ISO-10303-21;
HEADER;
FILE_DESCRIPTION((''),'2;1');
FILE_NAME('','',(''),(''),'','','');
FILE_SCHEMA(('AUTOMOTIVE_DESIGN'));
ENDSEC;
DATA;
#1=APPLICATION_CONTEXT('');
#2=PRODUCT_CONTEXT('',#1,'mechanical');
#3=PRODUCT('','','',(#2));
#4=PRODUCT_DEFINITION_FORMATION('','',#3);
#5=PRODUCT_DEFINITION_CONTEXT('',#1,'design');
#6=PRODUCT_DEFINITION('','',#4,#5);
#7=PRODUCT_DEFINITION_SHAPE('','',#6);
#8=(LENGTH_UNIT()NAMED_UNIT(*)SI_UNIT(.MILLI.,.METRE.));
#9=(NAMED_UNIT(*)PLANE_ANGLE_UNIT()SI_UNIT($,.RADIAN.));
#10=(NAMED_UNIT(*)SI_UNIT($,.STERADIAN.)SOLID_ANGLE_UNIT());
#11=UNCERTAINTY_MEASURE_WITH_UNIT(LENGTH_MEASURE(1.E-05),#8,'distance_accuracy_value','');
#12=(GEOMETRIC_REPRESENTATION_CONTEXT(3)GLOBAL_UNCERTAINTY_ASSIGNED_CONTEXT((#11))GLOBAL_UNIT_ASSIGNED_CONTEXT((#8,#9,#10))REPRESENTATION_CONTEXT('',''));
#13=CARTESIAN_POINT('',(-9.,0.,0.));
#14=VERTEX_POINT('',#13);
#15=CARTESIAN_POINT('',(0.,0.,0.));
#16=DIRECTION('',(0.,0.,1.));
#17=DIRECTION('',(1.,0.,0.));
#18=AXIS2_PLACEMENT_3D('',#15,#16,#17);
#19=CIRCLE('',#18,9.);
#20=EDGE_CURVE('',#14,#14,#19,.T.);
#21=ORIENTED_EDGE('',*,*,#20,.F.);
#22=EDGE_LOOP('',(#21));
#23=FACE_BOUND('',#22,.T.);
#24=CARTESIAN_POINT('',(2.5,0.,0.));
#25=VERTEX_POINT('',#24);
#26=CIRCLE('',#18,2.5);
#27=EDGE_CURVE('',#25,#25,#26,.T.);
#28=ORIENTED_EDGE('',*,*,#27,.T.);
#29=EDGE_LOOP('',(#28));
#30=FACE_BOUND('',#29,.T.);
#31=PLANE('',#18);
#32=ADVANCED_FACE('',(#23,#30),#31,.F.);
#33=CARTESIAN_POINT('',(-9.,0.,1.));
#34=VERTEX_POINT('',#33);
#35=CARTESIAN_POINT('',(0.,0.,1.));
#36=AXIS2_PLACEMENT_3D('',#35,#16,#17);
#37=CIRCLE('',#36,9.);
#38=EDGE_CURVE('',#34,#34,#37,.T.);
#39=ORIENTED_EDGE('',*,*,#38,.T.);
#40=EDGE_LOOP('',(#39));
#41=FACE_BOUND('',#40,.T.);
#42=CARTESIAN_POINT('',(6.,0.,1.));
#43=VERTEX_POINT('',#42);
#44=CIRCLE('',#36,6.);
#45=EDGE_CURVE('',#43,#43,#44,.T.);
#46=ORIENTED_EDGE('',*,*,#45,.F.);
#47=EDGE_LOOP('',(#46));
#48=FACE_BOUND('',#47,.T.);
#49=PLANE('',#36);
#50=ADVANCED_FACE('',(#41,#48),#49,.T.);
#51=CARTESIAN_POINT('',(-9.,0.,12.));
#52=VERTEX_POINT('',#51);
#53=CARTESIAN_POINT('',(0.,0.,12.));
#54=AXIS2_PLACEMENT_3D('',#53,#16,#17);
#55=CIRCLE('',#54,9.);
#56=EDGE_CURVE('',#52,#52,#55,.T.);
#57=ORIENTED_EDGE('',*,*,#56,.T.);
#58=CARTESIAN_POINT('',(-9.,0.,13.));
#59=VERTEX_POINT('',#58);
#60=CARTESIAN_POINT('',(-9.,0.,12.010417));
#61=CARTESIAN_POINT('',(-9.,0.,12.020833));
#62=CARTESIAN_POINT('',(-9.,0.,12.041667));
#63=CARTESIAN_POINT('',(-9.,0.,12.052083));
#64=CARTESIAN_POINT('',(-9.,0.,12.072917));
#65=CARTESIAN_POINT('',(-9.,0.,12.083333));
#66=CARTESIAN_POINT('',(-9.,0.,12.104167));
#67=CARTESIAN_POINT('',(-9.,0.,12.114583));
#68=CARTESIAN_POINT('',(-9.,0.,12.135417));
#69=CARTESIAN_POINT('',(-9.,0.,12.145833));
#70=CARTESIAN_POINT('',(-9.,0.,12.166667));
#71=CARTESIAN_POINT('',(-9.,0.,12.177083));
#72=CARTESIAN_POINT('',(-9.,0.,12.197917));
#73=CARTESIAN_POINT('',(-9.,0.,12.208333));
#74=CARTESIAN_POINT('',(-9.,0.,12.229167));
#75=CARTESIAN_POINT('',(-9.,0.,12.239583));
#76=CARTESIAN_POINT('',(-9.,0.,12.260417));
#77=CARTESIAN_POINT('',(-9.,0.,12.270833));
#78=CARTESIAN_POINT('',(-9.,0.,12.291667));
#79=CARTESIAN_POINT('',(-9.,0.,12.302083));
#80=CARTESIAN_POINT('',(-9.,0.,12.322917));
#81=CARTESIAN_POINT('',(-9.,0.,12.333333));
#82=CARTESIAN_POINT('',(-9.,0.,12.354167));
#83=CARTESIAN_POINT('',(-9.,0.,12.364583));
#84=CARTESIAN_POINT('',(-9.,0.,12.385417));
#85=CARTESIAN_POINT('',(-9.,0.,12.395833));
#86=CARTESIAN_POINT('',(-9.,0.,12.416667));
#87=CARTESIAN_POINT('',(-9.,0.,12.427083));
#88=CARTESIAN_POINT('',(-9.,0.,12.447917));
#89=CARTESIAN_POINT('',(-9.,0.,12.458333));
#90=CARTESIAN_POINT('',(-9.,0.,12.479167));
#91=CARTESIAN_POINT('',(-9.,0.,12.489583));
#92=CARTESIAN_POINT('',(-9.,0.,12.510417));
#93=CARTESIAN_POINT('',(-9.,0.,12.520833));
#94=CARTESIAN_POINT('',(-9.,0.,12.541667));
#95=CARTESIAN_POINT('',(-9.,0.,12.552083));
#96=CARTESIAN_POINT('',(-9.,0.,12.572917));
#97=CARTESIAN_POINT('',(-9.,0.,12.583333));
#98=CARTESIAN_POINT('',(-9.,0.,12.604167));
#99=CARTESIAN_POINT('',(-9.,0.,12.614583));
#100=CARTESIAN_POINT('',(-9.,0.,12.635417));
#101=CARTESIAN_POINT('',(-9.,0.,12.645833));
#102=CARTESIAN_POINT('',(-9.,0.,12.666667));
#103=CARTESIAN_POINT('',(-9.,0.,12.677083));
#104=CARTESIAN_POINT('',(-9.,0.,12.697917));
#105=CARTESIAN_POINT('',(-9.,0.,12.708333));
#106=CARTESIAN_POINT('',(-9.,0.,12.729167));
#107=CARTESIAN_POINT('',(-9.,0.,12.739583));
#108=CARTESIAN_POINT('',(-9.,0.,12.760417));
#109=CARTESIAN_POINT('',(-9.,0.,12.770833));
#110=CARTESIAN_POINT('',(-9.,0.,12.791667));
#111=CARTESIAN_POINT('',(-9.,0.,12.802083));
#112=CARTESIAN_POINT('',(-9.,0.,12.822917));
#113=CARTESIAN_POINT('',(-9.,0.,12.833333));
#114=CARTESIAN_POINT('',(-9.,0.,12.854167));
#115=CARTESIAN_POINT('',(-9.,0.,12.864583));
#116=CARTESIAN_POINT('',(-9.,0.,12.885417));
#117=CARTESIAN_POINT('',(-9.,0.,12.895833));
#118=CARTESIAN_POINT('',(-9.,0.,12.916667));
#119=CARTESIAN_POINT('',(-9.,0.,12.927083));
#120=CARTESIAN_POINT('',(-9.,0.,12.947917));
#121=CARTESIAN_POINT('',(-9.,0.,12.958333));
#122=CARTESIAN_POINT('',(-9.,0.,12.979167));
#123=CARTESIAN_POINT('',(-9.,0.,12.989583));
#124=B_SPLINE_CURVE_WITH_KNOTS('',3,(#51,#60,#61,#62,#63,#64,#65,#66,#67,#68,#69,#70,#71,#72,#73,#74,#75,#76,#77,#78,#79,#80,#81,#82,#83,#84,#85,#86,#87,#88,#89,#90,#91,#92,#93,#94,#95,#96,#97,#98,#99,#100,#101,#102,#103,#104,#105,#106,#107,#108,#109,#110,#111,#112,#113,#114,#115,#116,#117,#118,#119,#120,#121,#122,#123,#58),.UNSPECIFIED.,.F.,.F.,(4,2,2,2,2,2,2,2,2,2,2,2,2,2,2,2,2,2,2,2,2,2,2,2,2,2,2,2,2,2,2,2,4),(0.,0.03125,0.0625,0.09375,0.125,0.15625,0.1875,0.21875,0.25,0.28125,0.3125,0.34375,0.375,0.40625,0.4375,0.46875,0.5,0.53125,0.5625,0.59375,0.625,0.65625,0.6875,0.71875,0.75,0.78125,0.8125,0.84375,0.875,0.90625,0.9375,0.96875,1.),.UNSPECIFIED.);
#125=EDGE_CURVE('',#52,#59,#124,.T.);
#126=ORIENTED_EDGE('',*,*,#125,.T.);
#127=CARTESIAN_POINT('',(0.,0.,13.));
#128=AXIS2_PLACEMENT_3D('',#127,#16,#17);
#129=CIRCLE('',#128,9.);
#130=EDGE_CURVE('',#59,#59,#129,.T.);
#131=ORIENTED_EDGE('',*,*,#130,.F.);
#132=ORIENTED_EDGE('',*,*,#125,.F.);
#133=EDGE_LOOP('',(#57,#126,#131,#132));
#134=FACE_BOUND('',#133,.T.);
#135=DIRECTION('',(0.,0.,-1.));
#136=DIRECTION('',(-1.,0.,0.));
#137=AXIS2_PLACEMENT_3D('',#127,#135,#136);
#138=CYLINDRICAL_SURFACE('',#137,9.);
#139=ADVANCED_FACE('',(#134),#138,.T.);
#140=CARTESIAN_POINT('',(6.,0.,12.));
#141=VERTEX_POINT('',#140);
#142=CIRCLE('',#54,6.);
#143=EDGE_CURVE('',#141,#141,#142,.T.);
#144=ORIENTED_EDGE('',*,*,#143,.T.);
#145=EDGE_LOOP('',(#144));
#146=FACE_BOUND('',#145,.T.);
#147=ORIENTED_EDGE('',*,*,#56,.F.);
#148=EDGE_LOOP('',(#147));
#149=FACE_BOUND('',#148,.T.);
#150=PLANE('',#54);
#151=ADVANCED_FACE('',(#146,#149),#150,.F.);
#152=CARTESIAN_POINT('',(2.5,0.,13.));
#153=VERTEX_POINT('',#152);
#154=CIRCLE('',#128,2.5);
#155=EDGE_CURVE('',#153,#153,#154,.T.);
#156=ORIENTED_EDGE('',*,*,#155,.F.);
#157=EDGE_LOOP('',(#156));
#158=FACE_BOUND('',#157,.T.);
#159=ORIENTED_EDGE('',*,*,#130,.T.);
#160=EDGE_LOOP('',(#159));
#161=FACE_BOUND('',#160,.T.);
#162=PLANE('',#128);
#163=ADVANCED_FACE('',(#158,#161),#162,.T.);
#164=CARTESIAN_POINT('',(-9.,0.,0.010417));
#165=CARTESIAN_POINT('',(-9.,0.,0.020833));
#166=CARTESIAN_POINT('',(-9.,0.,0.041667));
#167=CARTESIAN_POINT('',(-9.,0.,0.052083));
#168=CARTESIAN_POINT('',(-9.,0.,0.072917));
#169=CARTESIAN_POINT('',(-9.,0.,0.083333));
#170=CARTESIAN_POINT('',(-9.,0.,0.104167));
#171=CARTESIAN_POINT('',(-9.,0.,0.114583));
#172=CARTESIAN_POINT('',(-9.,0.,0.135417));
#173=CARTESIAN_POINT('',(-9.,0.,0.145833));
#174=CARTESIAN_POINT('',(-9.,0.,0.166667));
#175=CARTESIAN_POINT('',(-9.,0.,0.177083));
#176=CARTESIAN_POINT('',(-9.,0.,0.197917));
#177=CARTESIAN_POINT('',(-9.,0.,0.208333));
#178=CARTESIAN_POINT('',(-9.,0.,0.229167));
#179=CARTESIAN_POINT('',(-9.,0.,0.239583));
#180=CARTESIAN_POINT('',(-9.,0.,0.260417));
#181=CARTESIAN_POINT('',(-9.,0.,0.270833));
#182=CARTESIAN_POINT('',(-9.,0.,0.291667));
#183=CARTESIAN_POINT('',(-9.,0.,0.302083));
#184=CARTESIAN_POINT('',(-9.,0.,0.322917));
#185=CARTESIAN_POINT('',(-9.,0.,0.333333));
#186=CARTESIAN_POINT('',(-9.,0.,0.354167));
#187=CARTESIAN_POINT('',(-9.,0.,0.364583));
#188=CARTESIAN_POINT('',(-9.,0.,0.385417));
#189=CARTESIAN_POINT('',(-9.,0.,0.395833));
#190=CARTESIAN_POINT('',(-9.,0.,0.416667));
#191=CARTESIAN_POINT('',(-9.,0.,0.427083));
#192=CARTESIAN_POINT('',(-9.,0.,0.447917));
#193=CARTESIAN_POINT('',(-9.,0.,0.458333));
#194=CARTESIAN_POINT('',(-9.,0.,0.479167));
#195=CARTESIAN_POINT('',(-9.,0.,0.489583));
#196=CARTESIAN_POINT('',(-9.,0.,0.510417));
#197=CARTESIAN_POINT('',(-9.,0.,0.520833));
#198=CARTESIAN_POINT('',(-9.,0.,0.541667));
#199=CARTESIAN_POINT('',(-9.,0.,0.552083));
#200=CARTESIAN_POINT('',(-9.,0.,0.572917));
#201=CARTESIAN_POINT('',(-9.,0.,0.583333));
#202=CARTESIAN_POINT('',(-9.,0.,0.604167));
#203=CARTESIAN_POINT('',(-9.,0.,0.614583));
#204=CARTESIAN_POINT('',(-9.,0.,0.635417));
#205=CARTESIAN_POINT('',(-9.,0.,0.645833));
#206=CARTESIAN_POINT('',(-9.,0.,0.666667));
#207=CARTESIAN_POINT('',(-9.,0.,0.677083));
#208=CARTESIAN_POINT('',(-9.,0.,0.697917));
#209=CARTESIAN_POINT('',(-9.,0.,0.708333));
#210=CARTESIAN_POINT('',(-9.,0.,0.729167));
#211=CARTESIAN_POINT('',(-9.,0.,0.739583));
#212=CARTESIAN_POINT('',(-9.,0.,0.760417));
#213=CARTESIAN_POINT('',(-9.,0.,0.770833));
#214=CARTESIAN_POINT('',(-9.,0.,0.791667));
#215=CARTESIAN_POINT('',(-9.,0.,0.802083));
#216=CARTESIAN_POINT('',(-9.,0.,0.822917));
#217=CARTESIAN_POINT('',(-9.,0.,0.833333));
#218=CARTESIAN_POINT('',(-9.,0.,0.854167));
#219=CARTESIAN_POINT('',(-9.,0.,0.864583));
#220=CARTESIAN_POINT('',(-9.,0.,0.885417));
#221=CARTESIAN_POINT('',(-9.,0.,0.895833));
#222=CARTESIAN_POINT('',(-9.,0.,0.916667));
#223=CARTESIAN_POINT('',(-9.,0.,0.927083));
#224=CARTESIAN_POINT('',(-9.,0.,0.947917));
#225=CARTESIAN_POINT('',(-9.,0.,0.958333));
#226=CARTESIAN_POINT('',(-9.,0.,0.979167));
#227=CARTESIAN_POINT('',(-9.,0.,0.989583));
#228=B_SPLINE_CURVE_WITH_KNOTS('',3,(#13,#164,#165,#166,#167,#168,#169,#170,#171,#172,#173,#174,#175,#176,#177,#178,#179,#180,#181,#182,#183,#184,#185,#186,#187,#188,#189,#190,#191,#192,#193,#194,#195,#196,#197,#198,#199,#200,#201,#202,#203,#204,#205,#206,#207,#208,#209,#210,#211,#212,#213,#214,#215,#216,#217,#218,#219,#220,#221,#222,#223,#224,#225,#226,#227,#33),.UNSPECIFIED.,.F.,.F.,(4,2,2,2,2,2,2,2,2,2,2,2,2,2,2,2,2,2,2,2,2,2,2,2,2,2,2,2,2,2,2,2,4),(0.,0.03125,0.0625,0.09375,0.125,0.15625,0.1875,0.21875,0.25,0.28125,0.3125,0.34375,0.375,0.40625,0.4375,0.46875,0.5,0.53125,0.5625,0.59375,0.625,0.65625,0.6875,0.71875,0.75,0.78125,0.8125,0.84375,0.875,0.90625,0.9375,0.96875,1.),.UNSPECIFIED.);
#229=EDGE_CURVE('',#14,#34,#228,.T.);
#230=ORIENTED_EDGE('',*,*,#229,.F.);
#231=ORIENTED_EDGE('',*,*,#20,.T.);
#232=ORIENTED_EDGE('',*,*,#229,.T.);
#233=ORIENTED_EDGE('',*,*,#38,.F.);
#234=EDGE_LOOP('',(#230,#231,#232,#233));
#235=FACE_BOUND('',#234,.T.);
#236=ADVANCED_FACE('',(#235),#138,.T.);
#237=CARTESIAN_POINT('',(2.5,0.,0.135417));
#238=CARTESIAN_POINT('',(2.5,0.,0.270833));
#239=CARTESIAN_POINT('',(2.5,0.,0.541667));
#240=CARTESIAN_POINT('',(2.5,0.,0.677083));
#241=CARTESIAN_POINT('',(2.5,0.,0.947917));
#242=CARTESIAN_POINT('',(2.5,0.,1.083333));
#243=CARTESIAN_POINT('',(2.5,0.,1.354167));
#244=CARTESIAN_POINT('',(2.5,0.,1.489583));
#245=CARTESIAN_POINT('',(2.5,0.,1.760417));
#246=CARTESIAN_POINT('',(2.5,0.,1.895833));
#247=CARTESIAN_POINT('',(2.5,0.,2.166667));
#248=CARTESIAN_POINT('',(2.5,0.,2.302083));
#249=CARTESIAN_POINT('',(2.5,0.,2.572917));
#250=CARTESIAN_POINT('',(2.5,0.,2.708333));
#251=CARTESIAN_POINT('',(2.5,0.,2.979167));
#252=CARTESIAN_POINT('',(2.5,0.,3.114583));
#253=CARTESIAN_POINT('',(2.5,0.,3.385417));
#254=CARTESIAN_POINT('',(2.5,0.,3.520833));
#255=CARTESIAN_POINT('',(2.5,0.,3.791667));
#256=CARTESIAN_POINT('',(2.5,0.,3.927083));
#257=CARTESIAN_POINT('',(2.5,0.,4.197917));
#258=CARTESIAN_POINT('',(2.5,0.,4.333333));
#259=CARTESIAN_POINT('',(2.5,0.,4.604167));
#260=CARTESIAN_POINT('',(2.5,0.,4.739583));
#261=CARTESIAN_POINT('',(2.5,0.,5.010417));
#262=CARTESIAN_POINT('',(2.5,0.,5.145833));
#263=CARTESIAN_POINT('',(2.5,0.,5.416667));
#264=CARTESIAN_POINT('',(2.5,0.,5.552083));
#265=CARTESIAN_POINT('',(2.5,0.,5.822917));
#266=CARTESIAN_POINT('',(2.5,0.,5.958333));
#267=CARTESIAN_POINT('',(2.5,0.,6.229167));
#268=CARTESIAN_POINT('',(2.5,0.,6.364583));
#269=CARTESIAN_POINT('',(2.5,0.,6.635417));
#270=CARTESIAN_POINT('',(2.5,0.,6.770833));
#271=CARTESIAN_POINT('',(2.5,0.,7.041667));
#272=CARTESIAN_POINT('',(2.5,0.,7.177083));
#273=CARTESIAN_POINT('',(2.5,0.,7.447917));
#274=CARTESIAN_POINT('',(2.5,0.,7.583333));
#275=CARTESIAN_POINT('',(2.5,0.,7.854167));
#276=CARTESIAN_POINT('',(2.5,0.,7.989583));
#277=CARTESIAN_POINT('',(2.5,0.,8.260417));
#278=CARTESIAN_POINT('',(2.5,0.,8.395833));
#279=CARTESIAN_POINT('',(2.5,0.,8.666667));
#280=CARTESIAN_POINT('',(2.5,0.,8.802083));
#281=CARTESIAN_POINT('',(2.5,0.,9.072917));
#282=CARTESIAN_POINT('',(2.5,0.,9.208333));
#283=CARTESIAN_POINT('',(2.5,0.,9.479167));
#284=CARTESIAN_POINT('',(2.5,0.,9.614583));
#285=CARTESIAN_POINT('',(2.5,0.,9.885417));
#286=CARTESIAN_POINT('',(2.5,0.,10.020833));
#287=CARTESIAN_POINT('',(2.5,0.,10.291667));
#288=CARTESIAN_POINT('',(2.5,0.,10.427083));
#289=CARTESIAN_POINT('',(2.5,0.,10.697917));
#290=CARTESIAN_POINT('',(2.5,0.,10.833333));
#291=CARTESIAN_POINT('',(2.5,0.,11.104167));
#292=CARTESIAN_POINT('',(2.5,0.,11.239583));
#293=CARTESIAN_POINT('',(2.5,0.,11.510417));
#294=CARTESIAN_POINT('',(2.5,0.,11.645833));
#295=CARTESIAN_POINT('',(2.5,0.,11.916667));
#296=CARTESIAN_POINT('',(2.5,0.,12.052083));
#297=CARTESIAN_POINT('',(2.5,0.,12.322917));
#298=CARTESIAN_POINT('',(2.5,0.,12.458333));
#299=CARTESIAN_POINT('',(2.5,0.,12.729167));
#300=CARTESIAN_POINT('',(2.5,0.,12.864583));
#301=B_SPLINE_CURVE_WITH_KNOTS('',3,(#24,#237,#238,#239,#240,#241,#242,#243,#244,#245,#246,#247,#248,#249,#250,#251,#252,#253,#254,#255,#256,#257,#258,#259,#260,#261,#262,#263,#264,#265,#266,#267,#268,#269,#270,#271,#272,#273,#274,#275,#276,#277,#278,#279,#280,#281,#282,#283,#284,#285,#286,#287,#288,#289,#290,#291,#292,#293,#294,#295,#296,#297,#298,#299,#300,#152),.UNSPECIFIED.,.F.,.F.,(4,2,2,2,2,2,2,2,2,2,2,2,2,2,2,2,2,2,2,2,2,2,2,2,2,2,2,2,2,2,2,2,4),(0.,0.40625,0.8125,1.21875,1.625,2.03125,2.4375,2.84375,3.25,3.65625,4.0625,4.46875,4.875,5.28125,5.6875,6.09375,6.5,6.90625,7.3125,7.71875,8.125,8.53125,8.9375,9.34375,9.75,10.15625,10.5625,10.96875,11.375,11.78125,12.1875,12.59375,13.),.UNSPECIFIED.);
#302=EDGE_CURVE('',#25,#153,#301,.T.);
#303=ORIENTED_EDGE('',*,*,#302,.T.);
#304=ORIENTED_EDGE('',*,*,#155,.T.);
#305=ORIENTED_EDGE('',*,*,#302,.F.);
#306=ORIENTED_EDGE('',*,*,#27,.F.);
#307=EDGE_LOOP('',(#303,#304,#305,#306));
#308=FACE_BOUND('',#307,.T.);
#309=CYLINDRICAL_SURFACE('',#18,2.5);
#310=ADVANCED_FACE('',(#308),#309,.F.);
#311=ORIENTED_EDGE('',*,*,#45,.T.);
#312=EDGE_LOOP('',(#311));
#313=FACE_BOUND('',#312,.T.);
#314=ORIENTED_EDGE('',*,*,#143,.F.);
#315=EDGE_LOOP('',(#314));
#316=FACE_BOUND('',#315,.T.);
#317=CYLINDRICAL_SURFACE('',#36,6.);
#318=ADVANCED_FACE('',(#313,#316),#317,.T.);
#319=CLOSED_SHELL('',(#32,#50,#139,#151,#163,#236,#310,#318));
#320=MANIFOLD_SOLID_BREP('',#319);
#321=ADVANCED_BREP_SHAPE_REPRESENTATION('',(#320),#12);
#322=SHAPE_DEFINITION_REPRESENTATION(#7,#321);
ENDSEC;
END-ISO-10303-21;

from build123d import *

# Parameters (mm, degrees)
SKETCH_1_R          = 9
EXTRUDE_1_DEPTH     = 13
CUT_EXTRUDE_START   = -12
SKETCH_2_R          = 9
SKETCH_2_R_2        = 6
CUT_EXTRUDE_1_DEPTH = 11
SKETCH_3_R          = 2.5
CUT_EXTRUDE_2_DEPTH = 19.193405399


with BuildPart() as part:
    # 草图1 → 凸台-拉伸1 (new body)
    with BuildSketch(Plane.XY):
        with Locations(Location((0, 0, 0), (0, 0, 180))):
            Circle(SKETCH_1_R)
    extrude(amount=EXTRUDE_1_DEPTH)

    # 草图2 → 切除-拉伸1 (cut)
    with BuildSketch(Plane.XY.offset(13).offset(CUT_EXTRUDE_START)):
        with Locations(Location((0, 0, 0), (0, 0, 180))):
            Circle(SKETCH_2_R)
        Circle(SKETCH_2_R_2, mode=Mode.SUBTRACT)
    extrude(amount=CUT_EXTRUDE_1_DEPTH, mode=Mode.SUBTRACT)

    # 草图3 → 切除-拉伸2 (cut, through all)
    with BuildSketch(Plane.XY.offset(13)):
        Circle(SKETCH_3_R)
    extrude(amount=-CUT_EXTRUDE_2_DEPTH, mode=Mode.SUBTRACT)


solid = part.part
